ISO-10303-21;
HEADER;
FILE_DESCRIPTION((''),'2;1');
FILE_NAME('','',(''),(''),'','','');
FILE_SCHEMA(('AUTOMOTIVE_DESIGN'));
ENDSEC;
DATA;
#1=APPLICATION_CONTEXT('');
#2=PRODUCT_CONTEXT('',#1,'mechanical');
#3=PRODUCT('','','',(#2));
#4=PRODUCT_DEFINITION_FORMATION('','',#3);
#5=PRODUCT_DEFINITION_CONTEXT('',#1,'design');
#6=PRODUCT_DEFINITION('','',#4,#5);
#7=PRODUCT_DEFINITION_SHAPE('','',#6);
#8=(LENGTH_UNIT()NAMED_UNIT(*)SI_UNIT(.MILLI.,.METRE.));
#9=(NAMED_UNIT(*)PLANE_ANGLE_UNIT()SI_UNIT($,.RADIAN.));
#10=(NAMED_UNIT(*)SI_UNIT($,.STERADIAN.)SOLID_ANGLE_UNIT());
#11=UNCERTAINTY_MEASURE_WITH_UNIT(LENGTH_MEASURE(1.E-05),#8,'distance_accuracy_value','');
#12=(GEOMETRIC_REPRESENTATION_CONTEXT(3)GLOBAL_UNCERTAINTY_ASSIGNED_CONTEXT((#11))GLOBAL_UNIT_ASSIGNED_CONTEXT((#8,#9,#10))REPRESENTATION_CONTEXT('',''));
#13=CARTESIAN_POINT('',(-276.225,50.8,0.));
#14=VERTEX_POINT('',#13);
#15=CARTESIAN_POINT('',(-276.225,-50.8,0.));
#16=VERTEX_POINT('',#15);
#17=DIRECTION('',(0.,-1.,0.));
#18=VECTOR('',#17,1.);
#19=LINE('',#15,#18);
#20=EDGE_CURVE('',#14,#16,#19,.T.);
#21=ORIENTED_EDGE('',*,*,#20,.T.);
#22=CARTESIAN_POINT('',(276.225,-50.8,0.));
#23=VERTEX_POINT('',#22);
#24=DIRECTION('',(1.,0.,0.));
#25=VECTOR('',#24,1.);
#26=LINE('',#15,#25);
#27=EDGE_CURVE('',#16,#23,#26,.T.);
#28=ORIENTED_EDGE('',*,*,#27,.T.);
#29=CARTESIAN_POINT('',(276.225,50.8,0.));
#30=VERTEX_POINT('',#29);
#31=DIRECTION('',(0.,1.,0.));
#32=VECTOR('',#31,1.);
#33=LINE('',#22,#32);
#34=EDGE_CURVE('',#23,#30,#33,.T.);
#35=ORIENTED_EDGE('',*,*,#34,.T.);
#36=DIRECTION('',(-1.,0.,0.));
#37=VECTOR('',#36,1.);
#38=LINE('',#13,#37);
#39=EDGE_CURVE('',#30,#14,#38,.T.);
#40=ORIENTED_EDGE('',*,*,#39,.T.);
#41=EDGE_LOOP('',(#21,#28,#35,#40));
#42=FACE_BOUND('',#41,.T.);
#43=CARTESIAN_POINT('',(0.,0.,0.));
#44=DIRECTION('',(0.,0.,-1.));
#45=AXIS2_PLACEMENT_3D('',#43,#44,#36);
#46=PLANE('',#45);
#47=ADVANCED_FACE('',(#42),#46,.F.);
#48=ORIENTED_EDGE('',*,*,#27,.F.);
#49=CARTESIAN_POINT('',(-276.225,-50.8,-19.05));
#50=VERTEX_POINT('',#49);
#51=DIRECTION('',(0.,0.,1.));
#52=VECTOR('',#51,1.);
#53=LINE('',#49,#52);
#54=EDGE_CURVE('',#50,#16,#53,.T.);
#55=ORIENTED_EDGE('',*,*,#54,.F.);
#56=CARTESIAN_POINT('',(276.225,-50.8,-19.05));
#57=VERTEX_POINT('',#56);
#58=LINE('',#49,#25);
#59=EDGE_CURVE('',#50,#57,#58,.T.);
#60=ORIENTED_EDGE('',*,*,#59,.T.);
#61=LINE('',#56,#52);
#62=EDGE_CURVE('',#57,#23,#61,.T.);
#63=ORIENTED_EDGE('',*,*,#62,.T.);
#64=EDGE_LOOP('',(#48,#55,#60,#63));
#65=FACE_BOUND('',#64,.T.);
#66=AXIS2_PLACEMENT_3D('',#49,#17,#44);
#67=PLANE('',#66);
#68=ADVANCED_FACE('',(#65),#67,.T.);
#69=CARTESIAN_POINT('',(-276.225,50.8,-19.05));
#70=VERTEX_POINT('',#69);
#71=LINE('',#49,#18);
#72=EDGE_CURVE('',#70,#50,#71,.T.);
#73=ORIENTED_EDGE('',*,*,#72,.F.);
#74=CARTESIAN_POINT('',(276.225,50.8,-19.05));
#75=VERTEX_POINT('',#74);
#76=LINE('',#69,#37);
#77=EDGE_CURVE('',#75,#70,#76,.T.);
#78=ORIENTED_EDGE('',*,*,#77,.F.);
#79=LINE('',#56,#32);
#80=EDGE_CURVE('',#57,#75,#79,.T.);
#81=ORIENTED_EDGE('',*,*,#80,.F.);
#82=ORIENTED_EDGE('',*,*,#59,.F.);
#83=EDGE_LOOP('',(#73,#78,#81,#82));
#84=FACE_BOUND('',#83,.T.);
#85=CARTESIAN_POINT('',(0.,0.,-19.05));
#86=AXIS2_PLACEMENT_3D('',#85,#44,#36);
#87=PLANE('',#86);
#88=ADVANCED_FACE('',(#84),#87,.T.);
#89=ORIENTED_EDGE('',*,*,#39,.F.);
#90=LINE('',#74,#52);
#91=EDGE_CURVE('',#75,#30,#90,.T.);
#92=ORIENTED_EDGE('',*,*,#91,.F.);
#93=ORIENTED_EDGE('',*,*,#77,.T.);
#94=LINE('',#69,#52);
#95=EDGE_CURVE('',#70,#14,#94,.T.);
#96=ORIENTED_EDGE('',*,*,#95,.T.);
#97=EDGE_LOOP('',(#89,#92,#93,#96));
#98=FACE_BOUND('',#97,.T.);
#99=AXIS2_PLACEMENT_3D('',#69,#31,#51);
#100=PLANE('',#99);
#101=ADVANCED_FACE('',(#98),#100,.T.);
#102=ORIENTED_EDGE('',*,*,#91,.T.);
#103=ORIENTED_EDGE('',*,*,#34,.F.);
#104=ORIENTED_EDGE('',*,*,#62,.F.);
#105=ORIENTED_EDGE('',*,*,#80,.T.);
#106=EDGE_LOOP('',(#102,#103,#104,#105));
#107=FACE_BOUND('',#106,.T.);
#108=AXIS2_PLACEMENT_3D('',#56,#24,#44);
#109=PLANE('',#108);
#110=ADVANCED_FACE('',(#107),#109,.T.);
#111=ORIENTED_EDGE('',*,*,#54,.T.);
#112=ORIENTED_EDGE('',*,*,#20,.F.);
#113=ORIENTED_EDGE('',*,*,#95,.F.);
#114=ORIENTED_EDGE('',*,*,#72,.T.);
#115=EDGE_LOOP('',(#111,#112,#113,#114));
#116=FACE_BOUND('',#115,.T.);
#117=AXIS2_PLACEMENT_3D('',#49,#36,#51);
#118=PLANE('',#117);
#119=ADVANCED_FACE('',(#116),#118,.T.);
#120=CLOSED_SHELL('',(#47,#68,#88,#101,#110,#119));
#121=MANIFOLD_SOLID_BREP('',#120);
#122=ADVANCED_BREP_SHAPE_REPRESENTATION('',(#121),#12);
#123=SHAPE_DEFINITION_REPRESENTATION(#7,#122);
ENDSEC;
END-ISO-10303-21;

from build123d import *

# Parameters (mm, degrees)
SKETCH1_W           = 552.45
SKETCH1_H           = 101.6
BOSS_EXTRUDE1_DEPTH = 19.05


with BuildPart() as part:
    # Sketch1 → Boss-Extrude1 (new body)
    with BuildSketch(Plane.XY):
        Rectangle(SKETCH1_W, SKETCH1_H)
    extrude(amount=-BOSS_EXTRUDE1_DEPTH)


solid = part.part
